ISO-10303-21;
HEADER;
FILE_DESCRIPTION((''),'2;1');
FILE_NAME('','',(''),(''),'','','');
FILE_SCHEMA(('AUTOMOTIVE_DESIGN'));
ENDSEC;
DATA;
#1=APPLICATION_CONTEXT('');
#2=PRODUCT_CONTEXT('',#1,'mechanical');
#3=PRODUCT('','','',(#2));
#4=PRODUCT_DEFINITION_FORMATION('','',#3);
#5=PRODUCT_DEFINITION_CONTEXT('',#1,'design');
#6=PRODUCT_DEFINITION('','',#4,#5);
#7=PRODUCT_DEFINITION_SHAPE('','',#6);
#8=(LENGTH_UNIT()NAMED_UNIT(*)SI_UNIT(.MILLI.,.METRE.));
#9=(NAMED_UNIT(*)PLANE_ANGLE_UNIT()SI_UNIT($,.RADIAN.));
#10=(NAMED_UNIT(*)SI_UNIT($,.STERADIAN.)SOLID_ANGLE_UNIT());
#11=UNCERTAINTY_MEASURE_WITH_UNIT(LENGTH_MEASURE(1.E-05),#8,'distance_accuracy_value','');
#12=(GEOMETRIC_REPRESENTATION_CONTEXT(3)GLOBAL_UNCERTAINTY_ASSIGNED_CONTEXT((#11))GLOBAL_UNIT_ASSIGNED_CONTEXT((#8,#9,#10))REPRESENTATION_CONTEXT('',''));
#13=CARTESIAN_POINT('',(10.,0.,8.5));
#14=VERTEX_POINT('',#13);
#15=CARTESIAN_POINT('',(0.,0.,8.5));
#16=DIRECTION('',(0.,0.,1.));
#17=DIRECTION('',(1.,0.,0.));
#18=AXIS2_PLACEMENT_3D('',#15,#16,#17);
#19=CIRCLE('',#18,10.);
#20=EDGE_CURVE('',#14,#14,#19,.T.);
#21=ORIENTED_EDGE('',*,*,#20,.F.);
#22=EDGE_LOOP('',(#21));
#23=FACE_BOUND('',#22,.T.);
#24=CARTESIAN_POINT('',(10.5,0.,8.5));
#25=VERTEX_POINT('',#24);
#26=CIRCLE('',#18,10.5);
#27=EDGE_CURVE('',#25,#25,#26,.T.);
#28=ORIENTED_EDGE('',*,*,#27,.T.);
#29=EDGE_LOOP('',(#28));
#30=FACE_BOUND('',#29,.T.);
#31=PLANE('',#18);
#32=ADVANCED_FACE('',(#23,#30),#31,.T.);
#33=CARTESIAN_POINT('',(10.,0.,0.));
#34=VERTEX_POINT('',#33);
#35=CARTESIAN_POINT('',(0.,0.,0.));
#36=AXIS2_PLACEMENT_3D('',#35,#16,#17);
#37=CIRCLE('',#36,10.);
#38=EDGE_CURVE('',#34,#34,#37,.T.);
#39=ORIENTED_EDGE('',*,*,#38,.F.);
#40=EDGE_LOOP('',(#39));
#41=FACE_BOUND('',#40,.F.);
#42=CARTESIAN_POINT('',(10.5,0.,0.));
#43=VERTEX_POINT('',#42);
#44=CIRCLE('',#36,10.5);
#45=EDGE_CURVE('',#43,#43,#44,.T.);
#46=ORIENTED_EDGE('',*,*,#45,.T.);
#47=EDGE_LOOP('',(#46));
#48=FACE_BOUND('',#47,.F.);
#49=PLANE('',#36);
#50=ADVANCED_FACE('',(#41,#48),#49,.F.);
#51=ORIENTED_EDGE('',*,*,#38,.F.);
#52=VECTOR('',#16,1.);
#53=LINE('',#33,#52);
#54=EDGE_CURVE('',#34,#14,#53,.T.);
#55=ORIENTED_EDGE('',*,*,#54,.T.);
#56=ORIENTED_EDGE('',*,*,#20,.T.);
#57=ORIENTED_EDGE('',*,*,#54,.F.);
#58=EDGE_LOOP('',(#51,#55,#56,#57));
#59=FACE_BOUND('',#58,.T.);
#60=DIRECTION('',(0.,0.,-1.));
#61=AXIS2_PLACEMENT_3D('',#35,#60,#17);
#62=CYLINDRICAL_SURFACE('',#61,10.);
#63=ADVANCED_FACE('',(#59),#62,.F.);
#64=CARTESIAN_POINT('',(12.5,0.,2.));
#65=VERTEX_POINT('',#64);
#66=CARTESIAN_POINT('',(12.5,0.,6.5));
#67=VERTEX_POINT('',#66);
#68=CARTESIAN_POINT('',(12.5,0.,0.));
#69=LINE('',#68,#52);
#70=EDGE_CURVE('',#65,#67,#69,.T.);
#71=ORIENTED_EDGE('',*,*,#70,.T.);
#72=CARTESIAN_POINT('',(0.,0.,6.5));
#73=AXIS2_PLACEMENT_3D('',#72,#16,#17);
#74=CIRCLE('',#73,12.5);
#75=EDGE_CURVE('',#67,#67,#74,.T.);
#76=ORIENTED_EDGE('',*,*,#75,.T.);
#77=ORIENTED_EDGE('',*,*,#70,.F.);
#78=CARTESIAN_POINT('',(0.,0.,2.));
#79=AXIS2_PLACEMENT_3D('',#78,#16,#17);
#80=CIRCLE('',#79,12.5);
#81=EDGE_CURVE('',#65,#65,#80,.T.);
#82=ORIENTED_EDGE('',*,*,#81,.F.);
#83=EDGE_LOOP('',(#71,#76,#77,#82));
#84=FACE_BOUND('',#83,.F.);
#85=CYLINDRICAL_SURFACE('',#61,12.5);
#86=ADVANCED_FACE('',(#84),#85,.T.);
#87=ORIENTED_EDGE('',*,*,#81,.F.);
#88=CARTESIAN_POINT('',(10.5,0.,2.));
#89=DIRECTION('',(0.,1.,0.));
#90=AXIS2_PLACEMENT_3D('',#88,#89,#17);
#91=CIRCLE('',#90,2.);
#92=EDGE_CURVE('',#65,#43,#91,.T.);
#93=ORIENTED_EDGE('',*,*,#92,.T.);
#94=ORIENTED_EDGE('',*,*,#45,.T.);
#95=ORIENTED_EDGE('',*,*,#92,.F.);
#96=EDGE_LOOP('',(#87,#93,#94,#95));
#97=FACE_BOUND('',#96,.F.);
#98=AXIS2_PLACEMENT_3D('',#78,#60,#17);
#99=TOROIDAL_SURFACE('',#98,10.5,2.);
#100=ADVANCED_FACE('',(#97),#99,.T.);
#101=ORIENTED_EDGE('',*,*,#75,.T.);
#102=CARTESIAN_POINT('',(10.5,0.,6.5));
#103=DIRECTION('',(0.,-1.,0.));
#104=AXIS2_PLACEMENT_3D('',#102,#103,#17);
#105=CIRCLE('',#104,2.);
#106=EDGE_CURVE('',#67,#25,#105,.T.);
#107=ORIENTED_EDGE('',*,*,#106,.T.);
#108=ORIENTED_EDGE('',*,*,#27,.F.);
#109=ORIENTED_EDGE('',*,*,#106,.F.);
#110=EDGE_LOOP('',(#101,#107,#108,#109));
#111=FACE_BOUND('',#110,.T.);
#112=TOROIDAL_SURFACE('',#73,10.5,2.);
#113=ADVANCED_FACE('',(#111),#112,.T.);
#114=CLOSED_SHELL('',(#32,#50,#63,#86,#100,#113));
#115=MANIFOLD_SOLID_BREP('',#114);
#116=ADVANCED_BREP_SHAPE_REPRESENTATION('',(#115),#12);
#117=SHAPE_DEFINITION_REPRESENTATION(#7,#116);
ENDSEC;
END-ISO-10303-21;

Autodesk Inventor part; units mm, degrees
ref_plane "YZ Plane" through (0, 0, 0) normal (1, 0, 0) x (0, 1, 0)
ref_plane "XZ Plane" through (0, 0, 0) normal (0, 1, 0) x (-1, 0, 0)
ref_plane "XY Plane" through (0, 0, 0) normal (0, 0, 1) x (1, 0, 0)
sketch "スケッチ1" plane through (0, 0, 0) normal (0, 0, 1) x (1, 0, 0)
  circle A0 centre (0, 0) radius 12.5
  circle A1 centre (0, 0) radius 10
  dimension "d0" = 25
  dimension "d1" = 20
extrude "押し出し1" add sketch "スケッチ1" along normal blind 8.5
fillet "フィレット1" radius 2 2 edges at (-12.5, 0, 8.5) (-12.5, 0, 0)
properties part number "Tire"
